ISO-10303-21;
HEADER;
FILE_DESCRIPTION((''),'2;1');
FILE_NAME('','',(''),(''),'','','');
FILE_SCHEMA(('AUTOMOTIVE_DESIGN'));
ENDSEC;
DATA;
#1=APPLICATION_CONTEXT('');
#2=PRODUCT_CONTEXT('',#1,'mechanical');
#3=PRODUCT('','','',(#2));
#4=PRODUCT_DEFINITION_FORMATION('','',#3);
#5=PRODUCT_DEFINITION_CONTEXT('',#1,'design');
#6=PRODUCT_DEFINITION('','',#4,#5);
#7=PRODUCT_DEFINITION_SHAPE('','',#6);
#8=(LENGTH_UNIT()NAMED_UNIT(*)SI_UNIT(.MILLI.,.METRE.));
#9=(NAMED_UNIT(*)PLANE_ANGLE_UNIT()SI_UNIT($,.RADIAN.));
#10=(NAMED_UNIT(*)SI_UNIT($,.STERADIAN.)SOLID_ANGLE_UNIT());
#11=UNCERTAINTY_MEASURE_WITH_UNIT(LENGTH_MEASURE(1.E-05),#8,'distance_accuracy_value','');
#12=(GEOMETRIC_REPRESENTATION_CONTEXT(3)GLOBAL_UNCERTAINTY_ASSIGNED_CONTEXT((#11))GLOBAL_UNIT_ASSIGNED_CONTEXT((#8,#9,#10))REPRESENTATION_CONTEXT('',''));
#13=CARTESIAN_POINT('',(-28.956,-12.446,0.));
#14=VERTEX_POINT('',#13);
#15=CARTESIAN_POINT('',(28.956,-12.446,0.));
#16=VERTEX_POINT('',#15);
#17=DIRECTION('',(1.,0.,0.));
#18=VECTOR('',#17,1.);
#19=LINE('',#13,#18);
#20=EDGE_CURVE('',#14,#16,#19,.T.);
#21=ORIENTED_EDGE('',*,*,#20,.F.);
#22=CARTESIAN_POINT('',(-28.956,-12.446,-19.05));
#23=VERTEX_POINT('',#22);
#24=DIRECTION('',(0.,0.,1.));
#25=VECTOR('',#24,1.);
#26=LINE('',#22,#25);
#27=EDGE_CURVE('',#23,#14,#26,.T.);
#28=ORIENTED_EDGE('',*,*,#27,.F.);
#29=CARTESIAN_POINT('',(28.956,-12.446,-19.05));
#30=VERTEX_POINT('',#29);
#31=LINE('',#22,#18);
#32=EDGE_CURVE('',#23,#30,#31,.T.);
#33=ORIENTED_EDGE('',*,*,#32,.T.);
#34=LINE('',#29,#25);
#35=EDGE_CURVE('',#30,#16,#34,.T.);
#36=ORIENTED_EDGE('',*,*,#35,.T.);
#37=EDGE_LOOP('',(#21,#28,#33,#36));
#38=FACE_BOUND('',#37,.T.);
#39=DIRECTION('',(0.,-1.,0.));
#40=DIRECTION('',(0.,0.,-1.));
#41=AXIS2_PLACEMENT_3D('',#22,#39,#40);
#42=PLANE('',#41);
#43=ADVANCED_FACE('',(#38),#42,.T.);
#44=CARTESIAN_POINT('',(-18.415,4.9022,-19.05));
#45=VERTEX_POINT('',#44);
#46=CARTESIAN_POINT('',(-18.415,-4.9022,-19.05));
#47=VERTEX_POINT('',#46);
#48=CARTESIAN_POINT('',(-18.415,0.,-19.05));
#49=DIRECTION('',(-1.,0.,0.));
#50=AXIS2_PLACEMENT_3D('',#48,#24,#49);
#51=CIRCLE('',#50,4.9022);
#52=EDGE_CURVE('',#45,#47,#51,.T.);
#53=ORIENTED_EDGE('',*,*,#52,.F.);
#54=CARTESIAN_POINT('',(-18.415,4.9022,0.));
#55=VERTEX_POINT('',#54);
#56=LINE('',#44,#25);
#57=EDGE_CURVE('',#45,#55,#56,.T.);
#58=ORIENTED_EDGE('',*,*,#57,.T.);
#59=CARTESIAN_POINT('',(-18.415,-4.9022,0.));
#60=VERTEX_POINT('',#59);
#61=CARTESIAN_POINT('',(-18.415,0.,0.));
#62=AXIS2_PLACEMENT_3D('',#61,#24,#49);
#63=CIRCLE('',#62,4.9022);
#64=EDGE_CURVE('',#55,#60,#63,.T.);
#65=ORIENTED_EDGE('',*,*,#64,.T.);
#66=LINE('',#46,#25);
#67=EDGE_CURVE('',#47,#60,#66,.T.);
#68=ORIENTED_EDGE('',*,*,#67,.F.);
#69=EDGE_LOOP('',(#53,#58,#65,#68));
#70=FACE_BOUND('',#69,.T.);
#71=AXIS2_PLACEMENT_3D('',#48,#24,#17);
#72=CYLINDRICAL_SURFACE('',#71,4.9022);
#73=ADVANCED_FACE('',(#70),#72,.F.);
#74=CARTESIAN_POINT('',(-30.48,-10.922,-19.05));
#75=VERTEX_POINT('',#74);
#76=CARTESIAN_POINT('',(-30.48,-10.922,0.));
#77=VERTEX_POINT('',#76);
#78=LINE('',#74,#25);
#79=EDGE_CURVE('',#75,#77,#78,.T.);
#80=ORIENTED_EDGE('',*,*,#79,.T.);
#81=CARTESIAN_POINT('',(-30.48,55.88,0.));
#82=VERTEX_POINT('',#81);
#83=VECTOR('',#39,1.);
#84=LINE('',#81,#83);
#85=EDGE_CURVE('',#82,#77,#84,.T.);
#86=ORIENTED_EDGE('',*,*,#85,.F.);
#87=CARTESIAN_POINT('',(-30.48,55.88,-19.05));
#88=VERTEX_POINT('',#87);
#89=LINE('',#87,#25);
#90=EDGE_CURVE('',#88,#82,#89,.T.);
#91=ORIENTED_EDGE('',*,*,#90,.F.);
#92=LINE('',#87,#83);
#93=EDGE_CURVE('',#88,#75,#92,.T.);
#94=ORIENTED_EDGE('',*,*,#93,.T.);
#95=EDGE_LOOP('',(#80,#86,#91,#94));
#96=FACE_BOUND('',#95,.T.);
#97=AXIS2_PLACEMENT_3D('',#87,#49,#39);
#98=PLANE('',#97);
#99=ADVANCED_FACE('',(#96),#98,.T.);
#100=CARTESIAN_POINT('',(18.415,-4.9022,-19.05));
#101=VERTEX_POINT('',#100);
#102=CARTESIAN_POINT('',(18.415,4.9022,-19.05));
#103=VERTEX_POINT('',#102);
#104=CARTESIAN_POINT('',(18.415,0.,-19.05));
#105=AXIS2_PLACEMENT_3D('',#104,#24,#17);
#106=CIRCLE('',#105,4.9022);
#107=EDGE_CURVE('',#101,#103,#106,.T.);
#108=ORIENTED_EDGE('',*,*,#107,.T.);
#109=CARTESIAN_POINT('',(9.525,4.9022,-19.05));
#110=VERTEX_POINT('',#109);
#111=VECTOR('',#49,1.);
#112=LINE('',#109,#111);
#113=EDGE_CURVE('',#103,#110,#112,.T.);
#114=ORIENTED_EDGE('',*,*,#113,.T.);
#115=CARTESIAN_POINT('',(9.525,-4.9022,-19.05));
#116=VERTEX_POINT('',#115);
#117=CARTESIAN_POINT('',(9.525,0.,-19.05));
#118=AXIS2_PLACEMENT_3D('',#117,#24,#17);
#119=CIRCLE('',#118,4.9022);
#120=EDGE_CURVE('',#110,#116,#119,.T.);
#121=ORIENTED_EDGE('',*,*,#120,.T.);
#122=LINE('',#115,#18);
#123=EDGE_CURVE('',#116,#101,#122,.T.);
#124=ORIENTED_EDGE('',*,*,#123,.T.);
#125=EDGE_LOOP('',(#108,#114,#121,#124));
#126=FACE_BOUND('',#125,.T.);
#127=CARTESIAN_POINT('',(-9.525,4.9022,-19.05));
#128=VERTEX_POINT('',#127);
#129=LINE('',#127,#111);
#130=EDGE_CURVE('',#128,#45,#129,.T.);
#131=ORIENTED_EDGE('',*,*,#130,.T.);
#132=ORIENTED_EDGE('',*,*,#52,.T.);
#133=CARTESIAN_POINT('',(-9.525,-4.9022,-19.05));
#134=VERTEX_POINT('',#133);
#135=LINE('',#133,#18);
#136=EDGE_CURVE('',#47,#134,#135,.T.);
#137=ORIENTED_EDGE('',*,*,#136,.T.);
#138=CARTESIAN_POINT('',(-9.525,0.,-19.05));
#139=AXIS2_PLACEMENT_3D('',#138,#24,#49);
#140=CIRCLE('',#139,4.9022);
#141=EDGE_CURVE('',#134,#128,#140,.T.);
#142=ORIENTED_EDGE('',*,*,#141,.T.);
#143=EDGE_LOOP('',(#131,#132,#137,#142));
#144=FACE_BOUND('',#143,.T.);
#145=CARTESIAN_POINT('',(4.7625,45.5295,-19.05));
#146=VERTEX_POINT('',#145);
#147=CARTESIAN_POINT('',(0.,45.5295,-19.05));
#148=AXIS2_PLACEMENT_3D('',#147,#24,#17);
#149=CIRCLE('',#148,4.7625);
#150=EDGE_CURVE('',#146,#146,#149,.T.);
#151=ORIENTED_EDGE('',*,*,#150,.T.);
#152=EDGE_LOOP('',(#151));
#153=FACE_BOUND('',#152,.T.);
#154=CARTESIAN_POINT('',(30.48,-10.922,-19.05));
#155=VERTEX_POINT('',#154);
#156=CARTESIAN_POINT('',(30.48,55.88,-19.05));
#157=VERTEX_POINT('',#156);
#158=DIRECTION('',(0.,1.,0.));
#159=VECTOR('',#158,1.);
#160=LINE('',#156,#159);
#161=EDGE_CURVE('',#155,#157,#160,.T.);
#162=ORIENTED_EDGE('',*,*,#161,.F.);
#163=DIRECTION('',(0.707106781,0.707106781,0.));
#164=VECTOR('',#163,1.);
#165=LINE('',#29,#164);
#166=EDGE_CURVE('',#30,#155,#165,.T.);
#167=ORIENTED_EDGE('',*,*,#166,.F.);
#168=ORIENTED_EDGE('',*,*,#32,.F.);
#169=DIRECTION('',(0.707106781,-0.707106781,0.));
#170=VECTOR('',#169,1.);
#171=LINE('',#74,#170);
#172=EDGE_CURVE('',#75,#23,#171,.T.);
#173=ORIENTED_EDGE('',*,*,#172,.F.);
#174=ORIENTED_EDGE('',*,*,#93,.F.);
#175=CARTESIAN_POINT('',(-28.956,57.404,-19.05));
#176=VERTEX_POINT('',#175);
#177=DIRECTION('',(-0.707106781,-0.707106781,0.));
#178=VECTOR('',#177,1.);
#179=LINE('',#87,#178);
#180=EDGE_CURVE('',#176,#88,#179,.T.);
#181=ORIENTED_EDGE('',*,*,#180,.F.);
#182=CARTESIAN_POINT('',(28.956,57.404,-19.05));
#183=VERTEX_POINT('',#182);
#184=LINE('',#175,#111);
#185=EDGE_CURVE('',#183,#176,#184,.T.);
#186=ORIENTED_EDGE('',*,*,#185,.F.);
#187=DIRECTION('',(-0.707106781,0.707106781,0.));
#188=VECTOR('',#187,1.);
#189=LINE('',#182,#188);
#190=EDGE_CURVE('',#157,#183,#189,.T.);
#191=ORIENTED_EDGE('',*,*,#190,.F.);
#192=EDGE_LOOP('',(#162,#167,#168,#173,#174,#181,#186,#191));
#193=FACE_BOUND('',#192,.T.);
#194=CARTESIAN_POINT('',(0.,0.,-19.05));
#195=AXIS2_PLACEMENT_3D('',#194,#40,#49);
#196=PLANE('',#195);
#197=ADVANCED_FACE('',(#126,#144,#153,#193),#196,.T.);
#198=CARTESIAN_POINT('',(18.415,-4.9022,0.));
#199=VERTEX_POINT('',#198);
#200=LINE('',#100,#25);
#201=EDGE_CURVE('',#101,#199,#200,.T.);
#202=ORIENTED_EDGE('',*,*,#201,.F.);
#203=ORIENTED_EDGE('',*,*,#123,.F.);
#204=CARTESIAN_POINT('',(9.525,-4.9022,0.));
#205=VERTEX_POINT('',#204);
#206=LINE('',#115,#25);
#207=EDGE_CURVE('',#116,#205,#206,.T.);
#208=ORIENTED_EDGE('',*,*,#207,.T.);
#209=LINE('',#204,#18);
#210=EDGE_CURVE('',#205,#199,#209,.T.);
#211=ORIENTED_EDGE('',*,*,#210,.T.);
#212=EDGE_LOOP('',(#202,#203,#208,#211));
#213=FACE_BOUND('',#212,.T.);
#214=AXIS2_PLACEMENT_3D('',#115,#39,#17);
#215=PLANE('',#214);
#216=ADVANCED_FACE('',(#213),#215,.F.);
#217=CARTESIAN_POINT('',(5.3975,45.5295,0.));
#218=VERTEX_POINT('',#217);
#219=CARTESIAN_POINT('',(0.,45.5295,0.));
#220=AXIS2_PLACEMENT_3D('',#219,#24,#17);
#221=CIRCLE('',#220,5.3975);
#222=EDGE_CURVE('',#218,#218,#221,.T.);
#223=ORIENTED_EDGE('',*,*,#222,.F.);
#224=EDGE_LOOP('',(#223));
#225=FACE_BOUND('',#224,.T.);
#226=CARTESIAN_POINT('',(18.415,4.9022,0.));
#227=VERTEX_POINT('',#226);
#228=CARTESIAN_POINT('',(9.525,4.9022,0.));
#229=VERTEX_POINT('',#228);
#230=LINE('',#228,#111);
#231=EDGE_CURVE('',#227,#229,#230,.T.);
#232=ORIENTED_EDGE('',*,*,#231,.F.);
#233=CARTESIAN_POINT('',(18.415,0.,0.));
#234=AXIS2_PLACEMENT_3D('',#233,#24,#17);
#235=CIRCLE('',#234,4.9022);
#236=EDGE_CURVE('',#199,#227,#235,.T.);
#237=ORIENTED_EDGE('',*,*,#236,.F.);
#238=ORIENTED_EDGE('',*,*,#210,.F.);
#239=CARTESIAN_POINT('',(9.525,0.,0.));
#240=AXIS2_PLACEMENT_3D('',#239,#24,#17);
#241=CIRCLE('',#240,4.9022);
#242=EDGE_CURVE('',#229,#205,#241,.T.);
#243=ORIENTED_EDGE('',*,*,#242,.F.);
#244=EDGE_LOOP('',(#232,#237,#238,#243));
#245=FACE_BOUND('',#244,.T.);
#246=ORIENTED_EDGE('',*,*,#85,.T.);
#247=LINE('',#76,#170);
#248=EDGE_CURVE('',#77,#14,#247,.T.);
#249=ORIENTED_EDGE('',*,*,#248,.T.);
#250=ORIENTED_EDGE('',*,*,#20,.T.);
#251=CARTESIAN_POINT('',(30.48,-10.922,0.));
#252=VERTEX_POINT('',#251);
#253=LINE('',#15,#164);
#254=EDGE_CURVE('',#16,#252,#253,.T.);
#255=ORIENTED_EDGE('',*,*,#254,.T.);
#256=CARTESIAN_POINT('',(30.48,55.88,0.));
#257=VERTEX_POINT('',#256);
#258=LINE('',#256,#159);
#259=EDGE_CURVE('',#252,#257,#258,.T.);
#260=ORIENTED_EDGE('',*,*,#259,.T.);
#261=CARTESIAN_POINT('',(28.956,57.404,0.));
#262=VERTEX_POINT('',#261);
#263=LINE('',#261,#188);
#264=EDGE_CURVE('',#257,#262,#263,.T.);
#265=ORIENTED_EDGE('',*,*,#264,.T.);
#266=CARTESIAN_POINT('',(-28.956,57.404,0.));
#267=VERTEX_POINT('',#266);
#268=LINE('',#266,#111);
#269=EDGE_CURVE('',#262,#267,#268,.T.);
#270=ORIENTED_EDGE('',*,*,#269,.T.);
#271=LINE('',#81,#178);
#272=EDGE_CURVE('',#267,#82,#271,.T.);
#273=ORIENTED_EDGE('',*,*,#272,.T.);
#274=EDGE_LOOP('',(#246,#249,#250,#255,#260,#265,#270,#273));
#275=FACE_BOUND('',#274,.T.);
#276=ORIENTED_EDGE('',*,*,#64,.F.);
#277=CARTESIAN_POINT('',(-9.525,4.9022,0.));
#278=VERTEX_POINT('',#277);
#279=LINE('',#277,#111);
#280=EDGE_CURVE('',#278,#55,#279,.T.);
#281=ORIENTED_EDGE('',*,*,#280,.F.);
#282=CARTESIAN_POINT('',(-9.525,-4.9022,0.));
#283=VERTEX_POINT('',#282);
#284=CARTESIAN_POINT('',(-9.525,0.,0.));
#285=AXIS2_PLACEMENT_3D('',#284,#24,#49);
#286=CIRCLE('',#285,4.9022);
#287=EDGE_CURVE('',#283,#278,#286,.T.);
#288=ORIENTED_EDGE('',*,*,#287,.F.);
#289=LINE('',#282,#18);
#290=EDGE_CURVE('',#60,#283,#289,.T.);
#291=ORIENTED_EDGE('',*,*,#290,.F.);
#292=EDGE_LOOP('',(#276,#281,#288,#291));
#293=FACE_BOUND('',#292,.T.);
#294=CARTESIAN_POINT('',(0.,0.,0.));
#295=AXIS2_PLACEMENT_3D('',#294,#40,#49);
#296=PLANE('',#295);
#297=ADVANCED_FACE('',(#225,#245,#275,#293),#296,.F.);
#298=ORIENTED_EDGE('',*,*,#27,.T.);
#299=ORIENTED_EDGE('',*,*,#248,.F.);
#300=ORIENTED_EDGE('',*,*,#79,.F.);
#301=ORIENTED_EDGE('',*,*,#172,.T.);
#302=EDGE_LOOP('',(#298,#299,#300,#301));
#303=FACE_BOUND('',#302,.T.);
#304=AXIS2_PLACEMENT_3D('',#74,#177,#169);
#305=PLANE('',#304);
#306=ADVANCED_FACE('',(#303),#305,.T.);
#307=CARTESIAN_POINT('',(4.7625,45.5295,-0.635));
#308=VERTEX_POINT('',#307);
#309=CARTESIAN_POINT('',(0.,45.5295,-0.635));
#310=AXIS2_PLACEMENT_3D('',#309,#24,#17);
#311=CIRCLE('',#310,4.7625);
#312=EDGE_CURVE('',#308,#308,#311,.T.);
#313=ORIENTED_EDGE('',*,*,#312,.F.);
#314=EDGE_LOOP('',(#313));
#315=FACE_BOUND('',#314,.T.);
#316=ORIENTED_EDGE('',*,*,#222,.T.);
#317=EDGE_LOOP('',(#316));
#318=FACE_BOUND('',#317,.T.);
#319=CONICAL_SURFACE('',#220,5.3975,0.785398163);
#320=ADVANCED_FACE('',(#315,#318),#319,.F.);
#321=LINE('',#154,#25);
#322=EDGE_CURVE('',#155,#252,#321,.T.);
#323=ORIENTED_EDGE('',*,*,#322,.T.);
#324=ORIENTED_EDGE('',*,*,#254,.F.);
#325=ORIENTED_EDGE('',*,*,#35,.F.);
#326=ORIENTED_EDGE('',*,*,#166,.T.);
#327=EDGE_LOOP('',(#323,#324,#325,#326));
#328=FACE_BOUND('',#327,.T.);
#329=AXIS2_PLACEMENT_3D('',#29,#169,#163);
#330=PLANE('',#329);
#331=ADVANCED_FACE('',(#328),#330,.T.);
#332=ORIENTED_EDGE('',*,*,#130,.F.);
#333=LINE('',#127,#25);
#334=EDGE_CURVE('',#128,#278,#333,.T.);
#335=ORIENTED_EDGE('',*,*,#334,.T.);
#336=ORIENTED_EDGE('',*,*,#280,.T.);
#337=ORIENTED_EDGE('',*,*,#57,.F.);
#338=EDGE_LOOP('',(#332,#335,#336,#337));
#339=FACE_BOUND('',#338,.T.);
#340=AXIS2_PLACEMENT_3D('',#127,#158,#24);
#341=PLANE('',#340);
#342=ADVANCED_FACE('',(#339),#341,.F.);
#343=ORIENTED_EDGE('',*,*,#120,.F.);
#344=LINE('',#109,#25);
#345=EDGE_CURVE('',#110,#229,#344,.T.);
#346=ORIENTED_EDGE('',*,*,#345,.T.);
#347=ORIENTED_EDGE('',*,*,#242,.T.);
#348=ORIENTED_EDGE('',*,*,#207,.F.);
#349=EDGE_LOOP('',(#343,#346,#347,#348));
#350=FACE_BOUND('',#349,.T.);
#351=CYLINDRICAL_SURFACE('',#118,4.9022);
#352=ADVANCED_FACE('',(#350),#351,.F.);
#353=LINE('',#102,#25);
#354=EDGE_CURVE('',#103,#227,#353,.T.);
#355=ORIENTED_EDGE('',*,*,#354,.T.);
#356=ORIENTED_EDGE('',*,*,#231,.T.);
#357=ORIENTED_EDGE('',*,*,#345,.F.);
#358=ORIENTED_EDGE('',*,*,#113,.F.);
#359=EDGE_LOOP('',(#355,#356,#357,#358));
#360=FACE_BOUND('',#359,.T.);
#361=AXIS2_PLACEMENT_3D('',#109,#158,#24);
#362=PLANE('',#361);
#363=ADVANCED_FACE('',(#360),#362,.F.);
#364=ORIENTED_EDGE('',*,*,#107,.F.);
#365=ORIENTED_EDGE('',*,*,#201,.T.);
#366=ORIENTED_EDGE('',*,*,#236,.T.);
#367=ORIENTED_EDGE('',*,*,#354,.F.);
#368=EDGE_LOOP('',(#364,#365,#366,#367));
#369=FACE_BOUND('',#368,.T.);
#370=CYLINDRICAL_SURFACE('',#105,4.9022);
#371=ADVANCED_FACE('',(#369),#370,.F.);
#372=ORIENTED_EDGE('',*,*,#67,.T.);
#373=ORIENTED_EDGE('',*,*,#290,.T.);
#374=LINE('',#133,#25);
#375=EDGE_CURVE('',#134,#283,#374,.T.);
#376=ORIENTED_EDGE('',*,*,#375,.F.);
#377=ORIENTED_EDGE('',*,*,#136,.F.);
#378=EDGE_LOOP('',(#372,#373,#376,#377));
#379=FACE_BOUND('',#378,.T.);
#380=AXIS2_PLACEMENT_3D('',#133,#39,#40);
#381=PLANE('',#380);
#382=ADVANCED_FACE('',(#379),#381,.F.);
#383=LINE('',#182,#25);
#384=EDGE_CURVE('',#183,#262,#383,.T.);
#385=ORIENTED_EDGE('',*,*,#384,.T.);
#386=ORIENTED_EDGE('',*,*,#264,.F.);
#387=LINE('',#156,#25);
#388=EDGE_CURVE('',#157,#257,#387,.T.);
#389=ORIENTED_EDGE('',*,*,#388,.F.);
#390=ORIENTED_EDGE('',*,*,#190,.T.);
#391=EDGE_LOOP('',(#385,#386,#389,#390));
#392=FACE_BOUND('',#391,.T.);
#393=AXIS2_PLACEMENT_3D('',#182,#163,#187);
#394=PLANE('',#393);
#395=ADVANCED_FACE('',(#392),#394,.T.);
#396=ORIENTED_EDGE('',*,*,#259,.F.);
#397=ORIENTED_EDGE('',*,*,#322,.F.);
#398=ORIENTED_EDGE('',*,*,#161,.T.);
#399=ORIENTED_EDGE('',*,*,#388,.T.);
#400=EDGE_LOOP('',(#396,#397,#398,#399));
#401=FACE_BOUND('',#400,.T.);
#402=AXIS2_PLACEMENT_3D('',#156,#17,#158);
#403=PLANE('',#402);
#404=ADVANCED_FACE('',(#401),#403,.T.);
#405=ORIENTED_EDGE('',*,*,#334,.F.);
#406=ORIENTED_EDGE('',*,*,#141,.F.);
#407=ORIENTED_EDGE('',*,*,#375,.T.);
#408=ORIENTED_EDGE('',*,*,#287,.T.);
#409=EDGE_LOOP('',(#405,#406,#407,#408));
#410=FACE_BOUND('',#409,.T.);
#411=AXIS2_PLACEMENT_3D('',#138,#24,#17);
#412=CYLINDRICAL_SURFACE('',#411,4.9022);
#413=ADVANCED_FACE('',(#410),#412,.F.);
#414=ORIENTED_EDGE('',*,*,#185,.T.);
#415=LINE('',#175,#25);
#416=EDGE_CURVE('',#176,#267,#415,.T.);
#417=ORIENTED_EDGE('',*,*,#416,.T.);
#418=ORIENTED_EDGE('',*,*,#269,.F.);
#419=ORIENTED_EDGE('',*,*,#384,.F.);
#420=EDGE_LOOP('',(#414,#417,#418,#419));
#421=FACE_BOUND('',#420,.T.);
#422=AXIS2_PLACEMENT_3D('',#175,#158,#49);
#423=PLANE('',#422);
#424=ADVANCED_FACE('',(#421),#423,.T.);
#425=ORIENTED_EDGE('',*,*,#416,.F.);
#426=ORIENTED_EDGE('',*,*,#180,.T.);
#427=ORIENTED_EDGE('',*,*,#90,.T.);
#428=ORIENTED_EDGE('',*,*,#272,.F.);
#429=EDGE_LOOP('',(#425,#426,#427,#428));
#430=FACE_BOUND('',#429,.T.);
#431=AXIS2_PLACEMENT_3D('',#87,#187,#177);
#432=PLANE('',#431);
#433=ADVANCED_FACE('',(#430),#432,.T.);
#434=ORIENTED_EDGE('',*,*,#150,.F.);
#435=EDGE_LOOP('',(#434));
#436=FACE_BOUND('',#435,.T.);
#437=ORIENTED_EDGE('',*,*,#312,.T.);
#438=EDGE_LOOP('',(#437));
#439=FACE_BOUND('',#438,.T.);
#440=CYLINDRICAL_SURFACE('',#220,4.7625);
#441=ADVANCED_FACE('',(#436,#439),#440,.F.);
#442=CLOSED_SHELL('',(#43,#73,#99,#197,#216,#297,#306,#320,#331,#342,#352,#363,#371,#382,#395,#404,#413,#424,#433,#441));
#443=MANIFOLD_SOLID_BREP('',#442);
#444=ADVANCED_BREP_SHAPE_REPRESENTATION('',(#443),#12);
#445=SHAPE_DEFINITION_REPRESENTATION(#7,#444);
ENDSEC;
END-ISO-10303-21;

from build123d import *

# Parameters (mm, degrees)
BOSS_EXTRUDE1_DEPTH               = 19.05
F_3_8_16_TAPPED_HOLE1_D           = 9.525
F_3_8_16_TAPPED_HOLE1_CSINK_D     = 10.795
F_3_8_16_TAPPED_HOLE1_CSINK_ANGLE = 90


with BuildPart() as part:
    # Sketch6 → Boss-Extrude1 (new body)
    with BuildSketch(Plane.XY):
        Polygon((-28.956, 57.404), (28.956, 57.404), (30.48, 55.88), (30.48, -10.922), (28.956, -12.446), (-28.956, -12.446), (-30.48, -10.922), (-30.48, 55.88), align=None)
        with BuildLine():
            Line((9.525, 4.9022), (18.415, 4.9022))
            ThreePointArc((18.415, 4.9022), (23.3172, 0), (18.415, -4.9022))
            Line((18.415, -4.9022), (9.525, -4.9022))
            ThreePointArc((9.525, -4.9022), (4.6228, 0), (9.525, 4.9022))
        make_face(mode=Mode.SUBTRACT)
        with BuildLine():
            Line((-9.525, 4.9022), (-18.415, 4.9022))
            ThreePointArc((-18.415, 4.9022), (-23.3172, 0), (-18.415, -4.9022))
            Line((-18.415, -4.9022), (-9.525, -4.9022))
            ThreePointArc((-9.525, -4.9022), (-4.6228, 0), (-9.525, 4.9022))
        make_face(mode=Mode.SUBTRACT)
    extrude(amount=-BOSS_EXTRUDE1_DEPTH)

    # 3/8-16 Tapped Hole1 (through all)
    with Locations(Plane.XY):
        with Locations((0, 45.5295)):
            CounterSinkHole(F_3_8_16_TAPPED_HOLE1_D / 2, F_3_8_16_TAPPED_HOLE1_CSINK_D / 2, counter_sink_angle=F_3_8_16_TAPPED_HOLE1_CSINK_ANGLE)


solid = part.part
